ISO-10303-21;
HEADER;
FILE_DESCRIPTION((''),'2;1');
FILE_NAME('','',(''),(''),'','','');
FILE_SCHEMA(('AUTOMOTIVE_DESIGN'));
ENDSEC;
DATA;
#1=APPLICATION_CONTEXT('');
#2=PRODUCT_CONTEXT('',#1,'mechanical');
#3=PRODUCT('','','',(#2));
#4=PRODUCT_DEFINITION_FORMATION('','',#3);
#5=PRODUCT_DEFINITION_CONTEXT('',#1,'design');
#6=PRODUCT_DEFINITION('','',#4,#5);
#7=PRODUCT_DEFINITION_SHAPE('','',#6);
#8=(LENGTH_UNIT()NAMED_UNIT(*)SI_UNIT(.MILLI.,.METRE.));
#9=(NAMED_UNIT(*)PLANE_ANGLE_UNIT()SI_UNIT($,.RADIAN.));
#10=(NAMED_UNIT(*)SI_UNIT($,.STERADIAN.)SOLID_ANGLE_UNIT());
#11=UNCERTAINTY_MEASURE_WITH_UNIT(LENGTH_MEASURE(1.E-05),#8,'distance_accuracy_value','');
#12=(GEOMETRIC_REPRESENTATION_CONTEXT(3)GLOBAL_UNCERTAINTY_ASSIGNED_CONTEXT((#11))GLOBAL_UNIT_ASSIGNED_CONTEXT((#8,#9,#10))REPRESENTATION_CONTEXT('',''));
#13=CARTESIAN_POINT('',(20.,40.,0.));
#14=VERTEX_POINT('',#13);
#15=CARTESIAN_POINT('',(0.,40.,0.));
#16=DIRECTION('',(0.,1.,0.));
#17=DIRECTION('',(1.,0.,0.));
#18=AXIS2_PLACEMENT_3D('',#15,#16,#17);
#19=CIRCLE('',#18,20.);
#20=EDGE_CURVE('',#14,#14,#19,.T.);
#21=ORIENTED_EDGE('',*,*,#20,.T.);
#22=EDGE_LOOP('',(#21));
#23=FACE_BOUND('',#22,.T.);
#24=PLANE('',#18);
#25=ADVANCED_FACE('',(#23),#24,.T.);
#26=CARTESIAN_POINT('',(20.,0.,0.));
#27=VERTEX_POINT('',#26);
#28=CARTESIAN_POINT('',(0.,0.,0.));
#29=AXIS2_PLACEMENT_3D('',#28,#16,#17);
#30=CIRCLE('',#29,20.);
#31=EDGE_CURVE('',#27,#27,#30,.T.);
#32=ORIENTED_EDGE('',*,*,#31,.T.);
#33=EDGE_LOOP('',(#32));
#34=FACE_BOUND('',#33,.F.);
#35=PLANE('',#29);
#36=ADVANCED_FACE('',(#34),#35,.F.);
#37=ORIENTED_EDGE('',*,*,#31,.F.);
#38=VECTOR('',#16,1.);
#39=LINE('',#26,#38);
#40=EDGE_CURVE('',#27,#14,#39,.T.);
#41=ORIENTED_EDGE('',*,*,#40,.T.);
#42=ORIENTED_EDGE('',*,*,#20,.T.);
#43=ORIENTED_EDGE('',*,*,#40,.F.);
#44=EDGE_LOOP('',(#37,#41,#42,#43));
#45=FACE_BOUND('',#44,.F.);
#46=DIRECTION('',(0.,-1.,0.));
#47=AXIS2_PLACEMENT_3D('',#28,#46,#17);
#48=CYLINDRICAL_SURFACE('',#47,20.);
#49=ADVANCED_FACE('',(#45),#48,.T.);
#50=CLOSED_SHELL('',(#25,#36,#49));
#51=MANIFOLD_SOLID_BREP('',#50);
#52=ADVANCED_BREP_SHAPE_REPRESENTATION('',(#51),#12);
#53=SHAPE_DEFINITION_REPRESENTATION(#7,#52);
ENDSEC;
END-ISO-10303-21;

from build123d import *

# Parameters (mm, degrees)
SKETCH_1_R      = 20
EXTRUDE_1_DEPTH = 40


with BuildPart() as part:
    # 草图1 → 凸台-拉伸1 (new body)
    with BuildSketch(Plane(origin=(0, 0, 0), x_dir=(1, 0, 0), z_dir=(0, 1, 0))):
        Circle(SKETCH_1_R)
    extrude(amount=EXTRUDE_1_DEPTH)


solid = part.part
